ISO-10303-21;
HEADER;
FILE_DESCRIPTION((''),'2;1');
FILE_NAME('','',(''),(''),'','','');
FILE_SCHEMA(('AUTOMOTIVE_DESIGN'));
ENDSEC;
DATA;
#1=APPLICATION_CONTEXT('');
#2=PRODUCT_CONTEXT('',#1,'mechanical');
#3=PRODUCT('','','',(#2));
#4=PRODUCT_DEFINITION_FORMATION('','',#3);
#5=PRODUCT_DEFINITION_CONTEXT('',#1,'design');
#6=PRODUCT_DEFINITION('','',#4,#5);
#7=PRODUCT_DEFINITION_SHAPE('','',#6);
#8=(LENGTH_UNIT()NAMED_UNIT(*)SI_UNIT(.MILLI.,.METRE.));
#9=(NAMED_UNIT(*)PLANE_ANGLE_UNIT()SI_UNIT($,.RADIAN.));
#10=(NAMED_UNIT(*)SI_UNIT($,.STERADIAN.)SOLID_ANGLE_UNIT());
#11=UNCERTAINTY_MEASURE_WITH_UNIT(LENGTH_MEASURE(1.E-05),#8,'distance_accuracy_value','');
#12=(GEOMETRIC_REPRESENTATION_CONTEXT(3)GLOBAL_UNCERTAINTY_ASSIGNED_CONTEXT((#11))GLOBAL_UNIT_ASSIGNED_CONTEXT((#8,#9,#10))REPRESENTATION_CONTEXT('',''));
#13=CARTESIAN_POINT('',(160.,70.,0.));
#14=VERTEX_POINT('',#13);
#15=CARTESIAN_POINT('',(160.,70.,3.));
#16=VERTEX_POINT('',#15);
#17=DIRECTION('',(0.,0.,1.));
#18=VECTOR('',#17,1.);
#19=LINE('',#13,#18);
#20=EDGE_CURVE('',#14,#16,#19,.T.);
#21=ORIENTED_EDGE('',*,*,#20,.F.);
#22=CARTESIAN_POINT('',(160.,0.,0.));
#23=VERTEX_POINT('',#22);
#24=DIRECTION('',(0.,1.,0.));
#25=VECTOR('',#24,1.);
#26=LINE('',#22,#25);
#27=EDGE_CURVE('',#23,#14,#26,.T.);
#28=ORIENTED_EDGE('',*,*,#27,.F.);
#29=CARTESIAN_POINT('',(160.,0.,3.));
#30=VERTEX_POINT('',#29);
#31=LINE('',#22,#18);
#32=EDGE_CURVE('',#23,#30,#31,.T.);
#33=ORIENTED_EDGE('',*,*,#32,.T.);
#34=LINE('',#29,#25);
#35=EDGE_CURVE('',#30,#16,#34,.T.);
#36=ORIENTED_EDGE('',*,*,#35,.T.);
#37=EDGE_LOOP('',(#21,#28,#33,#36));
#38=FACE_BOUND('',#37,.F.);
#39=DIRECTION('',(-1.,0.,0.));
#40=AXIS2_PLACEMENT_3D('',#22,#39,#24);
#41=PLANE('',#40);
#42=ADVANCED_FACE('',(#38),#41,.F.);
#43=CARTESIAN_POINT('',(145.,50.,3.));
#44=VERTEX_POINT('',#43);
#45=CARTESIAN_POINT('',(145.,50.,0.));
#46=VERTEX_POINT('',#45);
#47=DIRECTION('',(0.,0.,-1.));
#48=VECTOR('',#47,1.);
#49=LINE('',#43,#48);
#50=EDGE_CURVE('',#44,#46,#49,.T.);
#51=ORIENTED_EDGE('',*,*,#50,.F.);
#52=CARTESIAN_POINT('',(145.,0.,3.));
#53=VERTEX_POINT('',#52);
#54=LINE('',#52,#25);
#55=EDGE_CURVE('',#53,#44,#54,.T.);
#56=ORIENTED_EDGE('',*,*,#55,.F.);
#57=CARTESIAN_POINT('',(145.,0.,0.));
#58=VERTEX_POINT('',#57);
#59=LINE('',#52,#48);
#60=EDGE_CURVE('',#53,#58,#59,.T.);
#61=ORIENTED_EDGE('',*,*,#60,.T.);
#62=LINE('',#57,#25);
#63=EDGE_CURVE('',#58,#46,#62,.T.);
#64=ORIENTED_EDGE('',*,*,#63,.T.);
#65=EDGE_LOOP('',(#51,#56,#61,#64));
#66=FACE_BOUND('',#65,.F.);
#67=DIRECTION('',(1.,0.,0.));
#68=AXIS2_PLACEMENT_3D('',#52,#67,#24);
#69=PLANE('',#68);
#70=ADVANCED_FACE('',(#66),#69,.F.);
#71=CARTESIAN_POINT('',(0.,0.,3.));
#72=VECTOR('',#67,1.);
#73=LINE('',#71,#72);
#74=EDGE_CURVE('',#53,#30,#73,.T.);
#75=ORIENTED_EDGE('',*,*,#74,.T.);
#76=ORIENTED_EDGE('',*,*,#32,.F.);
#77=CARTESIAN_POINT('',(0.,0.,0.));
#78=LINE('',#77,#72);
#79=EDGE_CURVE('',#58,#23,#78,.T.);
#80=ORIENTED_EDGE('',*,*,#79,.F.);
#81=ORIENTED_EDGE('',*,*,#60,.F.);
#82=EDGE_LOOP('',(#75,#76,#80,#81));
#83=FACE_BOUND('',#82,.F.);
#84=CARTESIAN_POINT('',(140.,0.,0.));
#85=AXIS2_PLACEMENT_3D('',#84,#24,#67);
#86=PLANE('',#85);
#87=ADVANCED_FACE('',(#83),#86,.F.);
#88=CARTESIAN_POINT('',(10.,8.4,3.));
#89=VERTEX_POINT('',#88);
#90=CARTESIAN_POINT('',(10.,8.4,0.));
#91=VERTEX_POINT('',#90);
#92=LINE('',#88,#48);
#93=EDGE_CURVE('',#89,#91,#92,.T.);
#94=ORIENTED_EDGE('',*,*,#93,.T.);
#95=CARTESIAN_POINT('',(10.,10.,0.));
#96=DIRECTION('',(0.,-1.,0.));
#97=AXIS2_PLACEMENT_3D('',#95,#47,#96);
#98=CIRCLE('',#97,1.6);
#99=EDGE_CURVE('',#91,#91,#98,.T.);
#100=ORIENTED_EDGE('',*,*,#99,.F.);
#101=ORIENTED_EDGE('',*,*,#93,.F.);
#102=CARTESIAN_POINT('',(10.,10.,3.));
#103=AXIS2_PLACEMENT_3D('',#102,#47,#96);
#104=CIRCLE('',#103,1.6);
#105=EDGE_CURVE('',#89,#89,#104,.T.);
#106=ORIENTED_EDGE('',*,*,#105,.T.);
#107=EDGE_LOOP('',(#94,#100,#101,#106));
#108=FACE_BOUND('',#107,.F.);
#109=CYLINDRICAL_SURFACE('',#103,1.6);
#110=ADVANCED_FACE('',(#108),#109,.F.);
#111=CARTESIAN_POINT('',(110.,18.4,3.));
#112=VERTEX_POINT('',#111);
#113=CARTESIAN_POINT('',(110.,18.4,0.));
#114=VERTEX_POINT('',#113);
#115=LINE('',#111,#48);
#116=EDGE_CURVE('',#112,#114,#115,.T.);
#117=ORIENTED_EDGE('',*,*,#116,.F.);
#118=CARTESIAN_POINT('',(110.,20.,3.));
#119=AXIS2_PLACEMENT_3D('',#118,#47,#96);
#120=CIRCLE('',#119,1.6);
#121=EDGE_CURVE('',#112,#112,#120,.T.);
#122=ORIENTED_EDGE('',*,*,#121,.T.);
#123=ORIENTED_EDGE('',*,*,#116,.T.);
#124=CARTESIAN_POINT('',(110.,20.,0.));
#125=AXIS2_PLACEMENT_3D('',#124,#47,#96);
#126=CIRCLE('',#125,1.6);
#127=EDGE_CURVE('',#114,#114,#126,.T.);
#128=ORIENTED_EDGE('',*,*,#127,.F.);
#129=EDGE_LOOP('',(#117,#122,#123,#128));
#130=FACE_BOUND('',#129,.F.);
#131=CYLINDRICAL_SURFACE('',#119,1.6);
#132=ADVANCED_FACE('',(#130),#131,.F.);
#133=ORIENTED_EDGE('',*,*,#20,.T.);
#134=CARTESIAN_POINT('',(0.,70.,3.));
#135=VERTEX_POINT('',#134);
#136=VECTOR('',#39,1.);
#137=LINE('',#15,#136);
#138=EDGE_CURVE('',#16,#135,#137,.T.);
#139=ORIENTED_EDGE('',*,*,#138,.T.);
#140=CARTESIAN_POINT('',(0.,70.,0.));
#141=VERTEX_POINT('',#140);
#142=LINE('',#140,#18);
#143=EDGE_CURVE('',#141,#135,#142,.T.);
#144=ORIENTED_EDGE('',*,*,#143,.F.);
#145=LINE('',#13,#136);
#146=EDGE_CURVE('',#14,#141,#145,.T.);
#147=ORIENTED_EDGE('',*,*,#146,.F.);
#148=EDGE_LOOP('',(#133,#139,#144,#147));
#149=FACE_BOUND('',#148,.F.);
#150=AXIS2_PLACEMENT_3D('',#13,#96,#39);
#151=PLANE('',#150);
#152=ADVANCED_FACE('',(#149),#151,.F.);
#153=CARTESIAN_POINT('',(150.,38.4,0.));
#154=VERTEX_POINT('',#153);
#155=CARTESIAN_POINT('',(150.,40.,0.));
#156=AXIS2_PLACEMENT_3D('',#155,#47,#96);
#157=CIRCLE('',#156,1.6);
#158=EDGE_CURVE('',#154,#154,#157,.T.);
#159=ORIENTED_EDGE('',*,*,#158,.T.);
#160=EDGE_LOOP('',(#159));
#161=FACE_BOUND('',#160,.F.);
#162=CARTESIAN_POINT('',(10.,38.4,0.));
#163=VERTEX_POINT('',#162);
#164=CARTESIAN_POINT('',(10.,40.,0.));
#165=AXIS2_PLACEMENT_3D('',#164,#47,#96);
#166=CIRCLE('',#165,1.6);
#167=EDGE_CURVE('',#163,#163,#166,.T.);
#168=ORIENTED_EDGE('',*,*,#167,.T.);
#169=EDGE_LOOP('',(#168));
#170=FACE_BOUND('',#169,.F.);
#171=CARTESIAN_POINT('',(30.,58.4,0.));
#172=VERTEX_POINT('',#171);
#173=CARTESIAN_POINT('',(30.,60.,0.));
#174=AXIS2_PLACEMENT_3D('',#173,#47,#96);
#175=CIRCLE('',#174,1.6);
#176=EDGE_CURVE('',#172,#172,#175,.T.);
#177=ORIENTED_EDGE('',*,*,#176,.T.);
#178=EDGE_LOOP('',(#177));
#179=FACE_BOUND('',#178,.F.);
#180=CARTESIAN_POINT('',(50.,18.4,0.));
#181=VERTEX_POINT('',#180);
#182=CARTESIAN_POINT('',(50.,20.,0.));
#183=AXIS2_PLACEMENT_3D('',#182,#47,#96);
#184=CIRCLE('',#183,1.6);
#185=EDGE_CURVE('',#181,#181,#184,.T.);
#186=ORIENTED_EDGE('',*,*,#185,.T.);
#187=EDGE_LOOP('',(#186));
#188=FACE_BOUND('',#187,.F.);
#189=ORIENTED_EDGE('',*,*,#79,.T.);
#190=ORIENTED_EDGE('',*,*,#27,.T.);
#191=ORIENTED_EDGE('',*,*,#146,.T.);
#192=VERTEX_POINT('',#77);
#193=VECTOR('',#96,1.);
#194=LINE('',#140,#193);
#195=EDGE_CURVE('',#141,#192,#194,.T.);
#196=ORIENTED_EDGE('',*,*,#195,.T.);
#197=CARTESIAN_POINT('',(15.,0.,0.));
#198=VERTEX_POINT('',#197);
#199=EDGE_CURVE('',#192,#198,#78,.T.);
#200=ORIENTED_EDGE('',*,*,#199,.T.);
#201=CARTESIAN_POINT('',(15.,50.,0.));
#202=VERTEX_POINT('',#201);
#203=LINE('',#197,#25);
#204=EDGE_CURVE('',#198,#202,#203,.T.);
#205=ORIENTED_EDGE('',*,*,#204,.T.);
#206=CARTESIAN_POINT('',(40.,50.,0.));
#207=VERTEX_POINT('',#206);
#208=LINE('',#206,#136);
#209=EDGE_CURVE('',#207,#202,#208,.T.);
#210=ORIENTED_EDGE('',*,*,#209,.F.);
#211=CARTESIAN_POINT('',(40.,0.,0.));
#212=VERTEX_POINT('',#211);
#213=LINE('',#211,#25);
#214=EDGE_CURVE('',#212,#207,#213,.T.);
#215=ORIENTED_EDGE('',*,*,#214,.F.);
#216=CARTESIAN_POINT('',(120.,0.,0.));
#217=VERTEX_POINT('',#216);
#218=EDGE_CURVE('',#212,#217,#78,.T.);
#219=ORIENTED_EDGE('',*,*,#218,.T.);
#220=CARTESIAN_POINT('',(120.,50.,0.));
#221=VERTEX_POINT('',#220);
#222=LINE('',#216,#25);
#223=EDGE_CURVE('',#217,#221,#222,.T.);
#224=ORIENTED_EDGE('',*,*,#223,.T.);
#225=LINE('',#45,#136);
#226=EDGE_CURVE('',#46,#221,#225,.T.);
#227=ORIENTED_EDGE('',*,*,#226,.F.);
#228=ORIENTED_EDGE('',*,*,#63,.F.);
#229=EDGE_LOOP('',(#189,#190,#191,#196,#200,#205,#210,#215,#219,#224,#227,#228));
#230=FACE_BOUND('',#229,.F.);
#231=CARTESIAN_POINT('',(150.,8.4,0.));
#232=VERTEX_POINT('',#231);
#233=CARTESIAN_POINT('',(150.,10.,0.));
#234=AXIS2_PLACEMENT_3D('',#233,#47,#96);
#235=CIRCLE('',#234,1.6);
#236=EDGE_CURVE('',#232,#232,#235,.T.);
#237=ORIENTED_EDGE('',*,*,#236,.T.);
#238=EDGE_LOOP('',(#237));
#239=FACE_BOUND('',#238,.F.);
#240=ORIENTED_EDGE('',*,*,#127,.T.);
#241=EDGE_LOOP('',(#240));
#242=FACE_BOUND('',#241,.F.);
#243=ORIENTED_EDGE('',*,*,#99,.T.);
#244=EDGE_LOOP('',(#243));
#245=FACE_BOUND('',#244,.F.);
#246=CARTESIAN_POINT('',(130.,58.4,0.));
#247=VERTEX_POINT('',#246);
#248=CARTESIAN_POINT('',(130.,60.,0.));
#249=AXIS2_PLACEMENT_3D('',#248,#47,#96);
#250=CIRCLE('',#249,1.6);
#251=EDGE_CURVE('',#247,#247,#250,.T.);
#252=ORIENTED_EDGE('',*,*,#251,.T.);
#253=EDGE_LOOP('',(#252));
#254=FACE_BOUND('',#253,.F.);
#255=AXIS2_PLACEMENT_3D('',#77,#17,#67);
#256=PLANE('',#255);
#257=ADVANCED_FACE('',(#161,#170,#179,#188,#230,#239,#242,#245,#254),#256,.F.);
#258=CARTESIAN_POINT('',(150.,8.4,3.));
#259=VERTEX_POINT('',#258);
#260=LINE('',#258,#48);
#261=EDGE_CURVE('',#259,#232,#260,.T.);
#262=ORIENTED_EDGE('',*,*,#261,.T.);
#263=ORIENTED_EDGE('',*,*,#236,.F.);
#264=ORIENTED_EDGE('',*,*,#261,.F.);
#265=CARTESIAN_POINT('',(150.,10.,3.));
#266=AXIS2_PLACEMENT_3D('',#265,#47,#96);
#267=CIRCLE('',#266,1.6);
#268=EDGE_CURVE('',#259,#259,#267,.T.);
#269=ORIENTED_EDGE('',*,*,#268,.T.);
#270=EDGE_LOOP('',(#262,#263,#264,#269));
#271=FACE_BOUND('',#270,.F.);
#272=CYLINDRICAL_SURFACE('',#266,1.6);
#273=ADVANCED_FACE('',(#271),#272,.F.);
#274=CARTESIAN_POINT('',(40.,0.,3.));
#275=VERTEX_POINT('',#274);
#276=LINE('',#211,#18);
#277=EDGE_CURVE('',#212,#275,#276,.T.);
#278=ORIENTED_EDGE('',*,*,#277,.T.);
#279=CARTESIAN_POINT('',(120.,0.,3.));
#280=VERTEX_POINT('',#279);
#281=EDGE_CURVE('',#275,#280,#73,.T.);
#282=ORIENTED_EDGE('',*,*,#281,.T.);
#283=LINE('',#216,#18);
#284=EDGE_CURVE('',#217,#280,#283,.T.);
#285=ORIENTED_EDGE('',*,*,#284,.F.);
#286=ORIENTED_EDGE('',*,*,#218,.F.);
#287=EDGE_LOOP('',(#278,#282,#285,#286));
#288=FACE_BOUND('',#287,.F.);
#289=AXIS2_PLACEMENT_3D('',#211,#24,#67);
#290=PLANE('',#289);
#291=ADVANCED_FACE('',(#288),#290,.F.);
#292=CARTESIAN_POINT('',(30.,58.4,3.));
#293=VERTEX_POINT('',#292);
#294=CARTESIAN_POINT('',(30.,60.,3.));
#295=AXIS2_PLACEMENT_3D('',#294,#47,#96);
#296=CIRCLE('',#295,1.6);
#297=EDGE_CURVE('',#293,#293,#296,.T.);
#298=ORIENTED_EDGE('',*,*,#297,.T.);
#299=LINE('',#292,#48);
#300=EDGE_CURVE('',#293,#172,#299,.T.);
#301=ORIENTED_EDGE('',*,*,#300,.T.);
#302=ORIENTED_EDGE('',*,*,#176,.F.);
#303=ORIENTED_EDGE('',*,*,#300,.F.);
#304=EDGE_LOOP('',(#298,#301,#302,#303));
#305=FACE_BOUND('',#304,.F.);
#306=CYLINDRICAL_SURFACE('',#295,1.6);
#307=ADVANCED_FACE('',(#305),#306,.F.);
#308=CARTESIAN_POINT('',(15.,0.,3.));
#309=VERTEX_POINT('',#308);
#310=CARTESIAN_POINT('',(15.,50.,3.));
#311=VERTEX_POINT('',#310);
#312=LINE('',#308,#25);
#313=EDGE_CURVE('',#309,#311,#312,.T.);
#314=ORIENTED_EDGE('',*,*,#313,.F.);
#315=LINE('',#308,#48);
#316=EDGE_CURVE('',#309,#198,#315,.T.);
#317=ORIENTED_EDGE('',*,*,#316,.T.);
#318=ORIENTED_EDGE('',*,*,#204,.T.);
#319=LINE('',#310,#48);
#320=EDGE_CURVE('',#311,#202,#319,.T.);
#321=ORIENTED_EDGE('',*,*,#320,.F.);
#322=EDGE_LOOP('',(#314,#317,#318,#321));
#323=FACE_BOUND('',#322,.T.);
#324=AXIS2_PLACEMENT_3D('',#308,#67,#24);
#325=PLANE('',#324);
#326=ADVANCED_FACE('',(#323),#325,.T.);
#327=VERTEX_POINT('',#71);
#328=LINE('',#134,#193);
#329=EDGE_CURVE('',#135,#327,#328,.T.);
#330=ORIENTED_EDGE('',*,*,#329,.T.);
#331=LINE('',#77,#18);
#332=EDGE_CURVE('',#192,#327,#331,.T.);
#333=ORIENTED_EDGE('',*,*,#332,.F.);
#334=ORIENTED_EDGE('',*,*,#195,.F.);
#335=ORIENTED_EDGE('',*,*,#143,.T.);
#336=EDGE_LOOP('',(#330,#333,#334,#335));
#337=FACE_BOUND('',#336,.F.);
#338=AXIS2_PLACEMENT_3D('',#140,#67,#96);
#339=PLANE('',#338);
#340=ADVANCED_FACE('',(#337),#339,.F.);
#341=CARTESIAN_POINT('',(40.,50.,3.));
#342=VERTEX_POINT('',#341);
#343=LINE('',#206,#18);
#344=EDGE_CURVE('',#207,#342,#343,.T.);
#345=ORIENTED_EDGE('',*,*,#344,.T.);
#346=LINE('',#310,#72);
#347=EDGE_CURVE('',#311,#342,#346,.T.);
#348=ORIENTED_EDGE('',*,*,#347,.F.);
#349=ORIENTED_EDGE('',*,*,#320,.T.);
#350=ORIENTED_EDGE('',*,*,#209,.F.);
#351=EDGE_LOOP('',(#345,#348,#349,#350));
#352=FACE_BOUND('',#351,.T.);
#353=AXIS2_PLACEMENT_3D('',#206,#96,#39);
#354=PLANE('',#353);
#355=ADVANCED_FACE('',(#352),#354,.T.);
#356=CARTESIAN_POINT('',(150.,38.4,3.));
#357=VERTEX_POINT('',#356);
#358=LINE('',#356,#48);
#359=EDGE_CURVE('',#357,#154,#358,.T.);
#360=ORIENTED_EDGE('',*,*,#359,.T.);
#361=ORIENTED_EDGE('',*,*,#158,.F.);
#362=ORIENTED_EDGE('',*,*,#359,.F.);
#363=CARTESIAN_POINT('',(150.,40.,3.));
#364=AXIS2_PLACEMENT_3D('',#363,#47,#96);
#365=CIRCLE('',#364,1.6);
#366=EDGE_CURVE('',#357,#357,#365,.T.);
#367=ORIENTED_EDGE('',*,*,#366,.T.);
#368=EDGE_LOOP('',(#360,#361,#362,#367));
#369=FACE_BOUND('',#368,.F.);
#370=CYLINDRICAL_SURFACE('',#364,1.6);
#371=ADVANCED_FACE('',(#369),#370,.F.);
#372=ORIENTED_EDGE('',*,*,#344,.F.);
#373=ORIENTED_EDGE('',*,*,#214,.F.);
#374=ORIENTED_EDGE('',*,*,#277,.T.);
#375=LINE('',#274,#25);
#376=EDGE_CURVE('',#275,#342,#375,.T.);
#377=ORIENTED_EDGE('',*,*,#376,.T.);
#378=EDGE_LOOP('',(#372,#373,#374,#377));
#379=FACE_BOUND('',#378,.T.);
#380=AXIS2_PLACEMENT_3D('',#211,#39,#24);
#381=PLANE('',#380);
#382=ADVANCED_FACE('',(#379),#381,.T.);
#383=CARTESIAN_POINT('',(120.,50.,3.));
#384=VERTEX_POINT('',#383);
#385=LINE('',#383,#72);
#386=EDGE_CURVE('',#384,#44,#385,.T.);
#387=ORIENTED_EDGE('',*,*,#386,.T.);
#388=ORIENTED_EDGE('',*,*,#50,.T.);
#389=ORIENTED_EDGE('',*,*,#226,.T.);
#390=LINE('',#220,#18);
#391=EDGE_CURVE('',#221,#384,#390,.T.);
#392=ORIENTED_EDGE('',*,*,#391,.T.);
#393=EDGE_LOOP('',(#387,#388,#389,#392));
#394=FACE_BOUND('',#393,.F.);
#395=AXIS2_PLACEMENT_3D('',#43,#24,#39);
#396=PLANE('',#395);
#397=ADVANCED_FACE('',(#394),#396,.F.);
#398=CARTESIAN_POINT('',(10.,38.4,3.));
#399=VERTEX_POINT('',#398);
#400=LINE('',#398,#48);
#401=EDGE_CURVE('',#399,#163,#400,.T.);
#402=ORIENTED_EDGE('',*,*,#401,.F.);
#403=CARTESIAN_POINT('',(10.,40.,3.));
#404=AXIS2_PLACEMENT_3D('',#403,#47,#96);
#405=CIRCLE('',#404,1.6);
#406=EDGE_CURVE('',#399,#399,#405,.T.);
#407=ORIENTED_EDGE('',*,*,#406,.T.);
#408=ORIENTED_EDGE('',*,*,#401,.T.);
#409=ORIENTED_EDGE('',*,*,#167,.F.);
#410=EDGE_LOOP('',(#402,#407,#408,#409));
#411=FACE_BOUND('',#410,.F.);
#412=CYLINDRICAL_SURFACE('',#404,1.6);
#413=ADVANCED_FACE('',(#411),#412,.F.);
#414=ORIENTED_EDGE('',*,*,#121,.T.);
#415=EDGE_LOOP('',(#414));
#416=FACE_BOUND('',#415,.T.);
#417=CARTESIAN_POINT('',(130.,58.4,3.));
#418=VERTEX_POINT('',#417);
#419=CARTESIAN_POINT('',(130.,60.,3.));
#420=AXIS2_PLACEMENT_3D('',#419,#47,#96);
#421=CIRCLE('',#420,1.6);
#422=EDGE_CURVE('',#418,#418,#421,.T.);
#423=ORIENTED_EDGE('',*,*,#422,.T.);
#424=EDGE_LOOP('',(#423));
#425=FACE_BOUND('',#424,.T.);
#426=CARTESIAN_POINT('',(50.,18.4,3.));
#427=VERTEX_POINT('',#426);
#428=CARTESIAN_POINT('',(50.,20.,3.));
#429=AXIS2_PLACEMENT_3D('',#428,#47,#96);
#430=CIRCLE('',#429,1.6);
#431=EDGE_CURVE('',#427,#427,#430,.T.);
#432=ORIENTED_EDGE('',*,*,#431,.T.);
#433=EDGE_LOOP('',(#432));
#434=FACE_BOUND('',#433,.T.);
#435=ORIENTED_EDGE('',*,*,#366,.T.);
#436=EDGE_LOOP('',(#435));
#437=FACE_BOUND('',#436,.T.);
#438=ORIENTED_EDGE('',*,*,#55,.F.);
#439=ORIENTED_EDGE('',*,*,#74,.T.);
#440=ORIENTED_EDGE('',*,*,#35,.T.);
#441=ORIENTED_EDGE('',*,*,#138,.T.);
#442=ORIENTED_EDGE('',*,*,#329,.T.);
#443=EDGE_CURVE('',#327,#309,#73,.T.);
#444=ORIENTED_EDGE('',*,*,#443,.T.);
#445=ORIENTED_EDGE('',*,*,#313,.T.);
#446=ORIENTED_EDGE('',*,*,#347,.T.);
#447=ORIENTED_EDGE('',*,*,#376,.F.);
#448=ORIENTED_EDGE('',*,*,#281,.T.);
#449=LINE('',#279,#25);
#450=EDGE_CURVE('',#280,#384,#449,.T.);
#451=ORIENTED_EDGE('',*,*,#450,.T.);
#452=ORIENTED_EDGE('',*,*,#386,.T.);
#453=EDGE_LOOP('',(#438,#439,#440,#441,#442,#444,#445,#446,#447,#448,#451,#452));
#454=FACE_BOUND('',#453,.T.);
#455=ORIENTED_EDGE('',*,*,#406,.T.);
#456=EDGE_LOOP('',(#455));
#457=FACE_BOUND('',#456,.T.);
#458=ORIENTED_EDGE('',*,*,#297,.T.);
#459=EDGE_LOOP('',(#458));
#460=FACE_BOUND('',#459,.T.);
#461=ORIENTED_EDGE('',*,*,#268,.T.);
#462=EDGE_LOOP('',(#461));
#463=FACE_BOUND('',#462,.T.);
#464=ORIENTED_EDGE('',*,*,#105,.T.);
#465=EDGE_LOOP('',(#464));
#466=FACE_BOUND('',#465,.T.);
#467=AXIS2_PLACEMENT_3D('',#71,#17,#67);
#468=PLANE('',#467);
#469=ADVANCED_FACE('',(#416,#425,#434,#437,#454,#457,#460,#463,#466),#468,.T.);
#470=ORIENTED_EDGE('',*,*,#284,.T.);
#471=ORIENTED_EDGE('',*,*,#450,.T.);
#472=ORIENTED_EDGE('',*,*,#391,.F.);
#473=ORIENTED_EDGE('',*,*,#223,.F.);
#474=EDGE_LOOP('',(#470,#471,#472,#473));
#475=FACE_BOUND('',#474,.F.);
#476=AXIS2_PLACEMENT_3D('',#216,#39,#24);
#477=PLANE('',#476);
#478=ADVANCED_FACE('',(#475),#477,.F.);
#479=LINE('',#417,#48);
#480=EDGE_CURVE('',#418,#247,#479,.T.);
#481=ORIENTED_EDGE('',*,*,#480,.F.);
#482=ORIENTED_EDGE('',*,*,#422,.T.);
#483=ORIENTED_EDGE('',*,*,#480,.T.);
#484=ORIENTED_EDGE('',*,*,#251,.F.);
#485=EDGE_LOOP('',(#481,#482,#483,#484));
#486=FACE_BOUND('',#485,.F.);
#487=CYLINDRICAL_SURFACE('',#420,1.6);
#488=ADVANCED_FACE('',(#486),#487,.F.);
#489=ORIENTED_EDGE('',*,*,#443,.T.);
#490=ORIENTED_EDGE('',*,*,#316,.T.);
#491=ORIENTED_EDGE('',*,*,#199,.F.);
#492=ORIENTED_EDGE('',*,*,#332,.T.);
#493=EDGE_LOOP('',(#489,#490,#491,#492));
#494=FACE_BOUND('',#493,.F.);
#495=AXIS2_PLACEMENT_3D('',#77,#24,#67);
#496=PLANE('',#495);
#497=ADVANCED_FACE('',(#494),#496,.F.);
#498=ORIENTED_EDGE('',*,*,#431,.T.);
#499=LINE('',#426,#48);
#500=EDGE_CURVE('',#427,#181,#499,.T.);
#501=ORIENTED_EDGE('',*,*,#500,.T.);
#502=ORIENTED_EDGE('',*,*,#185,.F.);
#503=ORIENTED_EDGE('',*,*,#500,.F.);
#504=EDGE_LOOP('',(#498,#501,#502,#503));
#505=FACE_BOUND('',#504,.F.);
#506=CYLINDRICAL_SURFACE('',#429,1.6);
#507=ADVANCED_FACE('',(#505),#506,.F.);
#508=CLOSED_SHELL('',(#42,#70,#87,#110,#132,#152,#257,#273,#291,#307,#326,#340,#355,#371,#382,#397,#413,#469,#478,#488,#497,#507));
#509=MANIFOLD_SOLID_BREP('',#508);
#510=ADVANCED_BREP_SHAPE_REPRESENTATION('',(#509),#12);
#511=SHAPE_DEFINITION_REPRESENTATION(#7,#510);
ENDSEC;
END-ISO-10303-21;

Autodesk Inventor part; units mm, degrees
ref_plane "YZ Plane" through (0, 0, 0) normal (1, 0, 0) x (0, 1, 0)
ref_plane "XZ Plane" through (0, 0, 0) normal (0, 1, 0) x (-1, 0, 0)
ref_plane "XY Plane" through (0, 0, 0) normal (0, 0, 1) x (1, 0, 0)
sketch "スケッチ1" plane through (0, 0, 0) normal (0, 0, 1) x (1, 0, 0)
  line L0 (0, 0) -> (160, 0)
  line L1 (160, 0) -> (160, 70)
  line L2 (160, 70) -> (0, 70)
  line L3 (0, 70) -> (0, 0)
  line L4 (20, 0) -> (40, 0)
  line L5 (40, 0) -> (40, 50)
  line L6 (40, 50) -> (20, 50)
  line L7 (20, 50) -> (20, 0)
  line L8 (140, 0) -> (120, 0)
  line L9 (120, 0) -> (120, 50)
  line L10 (120, 50) -> (140, 50)
  line L11 (140, 50) -> (140, 0)
  dimension "d0" = 70
  dimension "d1" = 160
  dimension "d2" = 20
  dimension "d3" = 20
  dimension "d4" = 50
  dimension "d5" = 20
  dimension "d6" = 20
  dimension "d7" = 50
extrude "押し出し1" add sketch "スケッチ1" along normal blind 3 contours L3 L2 L1 L0 L11 L10 L9 L5 L6 L7
sketch "スケッチ2" plane through (0, 0, 3) normal (0, 0, 1) x (1, 0, 0)
  line L0 (0, 70) -> (0, 0) projected
  line L1 (0, 0) -> (20, 0) projected
  line L2 (140, 0) -> (160, 0) projected
  line L3 (160, 0) -> (160, 70) projected
  point P0 (10, 10)
  point P1 (150, 10)
  point P2 (10, 40)
  point P3 (150, 40)
  dimension "d10" = 10
  dimension "d11" = 10
  dimension "d12" = 10
  dimension "d13" = 10
  dimension "d14" = 30
  dimension "d15" = 10
  dimension "d16" = 10
  dimension "d17" = 30
hole "穴1" at (10, 10, 3) at (150, 10, 3) at (10, 40, 3) at (150, 40, 3) direction (0, 0, -1) diameter 3.2 end through all
sketch "スケッチ3" plane through (0, 0, 3) normal (0, 0, 1) x (1, 0, 0)
  line L0 (0, 70) -> (0, 0) projected
  line L1 (160, 70) -> (0, 70) projected
  point P0 (30, 60)
  point P1 (130, 60)
  dimension "d25" = 30
  dimension "d26" = 10
  dimension "d27" = 10
  dimension "d28" = 100
hole "穴2" at (30, 60, 3) at (130, 60, 3) direction (0, 0, -1) diameter 3.2 end through all
sketch "スケッチ4" plane through (0, 0, 3) normal (0, 0, 1) x (1, 0, 0)
  line L0 (40, 0) -> (120, 0) projected
  line L1 (40, 50) -> (40, 0) projected
  line L2 (120, 0) -> (120, 50) projected
  point P0 (0, 0)
  point P1 (50, 20)
  point P2 (40, 25)
  point P3 (110, 20)
  dimension "d38" = 20
  dimension "d39" = 10
  dimension "d40" = 20
  dimension "d41" = 10
hole "穴3" at (50, 20, 3) at (110, 20, 3) direction (0, 0, -1) diameter 3.2 end through all
sketch "スケッチ5" plane through (0, 0, 3) normal (0, 0, 1) x (1, 0, 0)
  line L0 (20, 0) -> (20, 50) projected
  line L1 (20, 0) -> (15, 0)
  line L2 (15, 0) -> (15, 50)
  line L3 (15, 50) -> (20, 50)
  line L4 (20, 50) -> (20, 0)
  point P0 (0, 0)
  dimension "d49" = 50
  dimension "d50" = 5
extrude "押し出し2" cut sketch "スケッチ5" against normal blind 3
sketch "スケッチ6" plane through (0, 0, 3) normal (0, 0, 1) x (1, 0, 0)
  line L0 (140, 50) -> (140, 0) projected
  line L1 (140, 0) -> (145, 0)
  line L2 (145, 0) -> (145, 50)
  line L3 (145, 50) -> (140, 50)
  line L4 (140, 50) -> (140, 0)
  point P0 (0, 0)
  dimension "d53" = 50
  dimension "d54" = 5
extrude "押し出し3" cut sketch "スケッチ6" against normal blind 3
properties part number "backPlate" material "アルミニウム 6061"
